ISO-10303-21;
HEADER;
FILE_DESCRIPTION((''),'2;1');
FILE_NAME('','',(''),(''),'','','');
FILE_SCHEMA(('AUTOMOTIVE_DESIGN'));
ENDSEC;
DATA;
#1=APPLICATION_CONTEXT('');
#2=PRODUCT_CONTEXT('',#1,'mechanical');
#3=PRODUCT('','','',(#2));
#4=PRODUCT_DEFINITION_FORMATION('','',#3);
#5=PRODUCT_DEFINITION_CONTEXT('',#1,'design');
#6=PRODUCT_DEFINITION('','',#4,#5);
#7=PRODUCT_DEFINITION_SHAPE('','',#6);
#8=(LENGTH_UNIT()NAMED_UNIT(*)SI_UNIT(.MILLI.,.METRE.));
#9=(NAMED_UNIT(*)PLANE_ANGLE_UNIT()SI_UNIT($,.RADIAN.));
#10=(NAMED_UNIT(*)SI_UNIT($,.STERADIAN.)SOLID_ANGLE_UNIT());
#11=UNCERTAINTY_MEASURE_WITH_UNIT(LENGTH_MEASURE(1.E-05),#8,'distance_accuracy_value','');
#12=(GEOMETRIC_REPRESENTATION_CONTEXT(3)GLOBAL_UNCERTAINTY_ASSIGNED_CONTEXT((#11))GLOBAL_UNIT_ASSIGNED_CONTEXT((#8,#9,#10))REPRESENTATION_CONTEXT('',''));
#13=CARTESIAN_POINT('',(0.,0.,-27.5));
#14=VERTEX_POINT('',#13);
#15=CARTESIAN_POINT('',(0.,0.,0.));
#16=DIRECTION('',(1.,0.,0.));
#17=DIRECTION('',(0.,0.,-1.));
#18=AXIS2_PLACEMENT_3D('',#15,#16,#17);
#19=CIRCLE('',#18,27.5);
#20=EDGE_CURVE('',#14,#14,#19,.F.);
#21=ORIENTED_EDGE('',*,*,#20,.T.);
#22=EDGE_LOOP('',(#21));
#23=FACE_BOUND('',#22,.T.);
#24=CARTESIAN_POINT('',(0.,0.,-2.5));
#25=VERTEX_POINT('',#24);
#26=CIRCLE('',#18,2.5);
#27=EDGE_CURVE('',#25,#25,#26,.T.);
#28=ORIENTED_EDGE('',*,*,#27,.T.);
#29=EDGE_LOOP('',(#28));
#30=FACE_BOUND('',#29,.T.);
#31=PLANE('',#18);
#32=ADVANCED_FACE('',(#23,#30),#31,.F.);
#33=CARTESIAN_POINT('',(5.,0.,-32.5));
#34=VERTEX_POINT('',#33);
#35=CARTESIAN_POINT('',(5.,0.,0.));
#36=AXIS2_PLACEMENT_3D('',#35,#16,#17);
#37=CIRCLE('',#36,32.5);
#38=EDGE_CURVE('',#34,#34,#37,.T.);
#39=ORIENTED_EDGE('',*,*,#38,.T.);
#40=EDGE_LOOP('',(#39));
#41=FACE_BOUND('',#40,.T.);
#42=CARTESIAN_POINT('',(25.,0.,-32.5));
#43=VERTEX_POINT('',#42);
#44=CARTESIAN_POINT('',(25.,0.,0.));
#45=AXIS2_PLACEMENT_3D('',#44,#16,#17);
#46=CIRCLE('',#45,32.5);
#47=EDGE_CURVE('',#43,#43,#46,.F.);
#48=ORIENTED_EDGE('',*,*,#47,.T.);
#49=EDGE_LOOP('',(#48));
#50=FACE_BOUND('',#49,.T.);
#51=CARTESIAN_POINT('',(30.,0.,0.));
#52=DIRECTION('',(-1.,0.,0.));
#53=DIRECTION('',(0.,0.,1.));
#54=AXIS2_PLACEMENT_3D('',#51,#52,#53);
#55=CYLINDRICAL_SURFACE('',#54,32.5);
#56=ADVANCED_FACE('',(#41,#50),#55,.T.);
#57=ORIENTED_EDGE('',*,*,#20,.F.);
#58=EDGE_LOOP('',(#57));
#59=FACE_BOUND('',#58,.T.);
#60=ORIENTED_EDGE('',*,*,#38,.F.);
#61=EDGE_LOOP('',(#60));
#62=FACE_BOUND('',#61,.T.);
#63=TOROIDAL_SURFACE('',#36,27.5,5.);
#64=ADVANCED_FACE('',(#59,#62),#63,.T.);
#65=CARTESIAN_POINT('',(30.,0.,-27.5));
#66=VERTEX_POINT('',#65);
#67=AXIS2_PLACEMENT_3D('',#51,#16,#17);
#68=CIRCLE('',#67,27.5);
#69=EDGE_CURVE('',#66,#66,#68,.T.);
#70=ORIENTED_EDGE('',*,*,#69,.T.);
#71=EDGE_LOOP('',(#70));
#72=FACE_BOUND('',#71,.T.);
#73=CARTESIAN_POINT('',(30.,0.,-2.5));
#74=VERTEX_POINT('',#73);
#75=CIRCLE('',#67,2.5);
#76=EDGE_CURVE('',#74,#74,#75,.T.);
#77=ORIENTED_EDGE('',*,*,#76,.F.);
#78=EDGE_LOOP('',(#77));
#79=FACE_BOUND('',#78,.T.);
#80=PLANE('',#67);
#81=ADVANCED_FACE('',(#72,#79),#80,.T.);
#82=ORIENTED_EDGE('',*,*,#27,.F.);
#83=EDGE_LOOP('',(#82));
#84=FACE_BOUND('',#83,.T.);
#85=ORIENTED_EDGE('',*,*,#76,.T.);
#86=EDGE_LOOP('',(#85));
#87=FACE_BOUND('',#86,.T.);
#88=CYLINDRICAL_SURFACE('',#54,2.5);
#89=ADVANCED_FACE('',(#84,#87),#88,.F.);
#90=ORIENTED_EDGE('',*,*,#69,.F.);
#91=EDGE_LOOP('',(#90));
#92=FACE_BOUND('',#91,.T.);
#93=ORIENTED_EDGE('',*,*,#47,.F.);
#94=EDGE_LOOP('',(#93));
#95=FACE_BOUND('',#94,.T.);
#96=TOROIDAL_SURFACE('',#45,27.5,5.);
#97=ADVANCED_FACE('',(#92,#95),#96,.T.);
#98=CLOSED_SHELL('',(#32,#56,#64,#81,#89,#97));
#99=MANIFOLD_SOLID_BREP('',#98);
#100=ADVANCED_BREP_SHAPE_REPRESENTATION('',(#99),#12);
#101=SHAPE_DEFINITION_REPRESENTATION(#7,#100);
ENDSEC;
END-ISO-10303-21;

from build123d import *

# Parameters (mm, degrees)
SKETCH_1_R      = 32.5
SKETCH_1_R_2    = 2.5
EXTRUDE_1_DEPTH = 30
FILLET_1_R      = 5


with BuildPart() as part:
    # 草圖1 → 填料-伸長1 (new body)
    with BuildSketch(Plane(origin=(0, 0, 0), x_dir=(0, 0, -1), z_dir=(1, 0, 0))):
        Circle(SKETCH_1_R)
        Circle(SKETCH_1_R_2, mode=Mode.SUBTRACT)
    extrude(amount=EXTRUDE_1_DEPTH)

    # 圓角1
    fillet_1_edges = [part.edges().sort_by_distance(p)[0] for p in [
        (0, 0, 32.5),
        (30, 0, 32.5),
    ]]
    fillet(fillet_1_edges, radius=FILLET_1_R)


solid = part.part
